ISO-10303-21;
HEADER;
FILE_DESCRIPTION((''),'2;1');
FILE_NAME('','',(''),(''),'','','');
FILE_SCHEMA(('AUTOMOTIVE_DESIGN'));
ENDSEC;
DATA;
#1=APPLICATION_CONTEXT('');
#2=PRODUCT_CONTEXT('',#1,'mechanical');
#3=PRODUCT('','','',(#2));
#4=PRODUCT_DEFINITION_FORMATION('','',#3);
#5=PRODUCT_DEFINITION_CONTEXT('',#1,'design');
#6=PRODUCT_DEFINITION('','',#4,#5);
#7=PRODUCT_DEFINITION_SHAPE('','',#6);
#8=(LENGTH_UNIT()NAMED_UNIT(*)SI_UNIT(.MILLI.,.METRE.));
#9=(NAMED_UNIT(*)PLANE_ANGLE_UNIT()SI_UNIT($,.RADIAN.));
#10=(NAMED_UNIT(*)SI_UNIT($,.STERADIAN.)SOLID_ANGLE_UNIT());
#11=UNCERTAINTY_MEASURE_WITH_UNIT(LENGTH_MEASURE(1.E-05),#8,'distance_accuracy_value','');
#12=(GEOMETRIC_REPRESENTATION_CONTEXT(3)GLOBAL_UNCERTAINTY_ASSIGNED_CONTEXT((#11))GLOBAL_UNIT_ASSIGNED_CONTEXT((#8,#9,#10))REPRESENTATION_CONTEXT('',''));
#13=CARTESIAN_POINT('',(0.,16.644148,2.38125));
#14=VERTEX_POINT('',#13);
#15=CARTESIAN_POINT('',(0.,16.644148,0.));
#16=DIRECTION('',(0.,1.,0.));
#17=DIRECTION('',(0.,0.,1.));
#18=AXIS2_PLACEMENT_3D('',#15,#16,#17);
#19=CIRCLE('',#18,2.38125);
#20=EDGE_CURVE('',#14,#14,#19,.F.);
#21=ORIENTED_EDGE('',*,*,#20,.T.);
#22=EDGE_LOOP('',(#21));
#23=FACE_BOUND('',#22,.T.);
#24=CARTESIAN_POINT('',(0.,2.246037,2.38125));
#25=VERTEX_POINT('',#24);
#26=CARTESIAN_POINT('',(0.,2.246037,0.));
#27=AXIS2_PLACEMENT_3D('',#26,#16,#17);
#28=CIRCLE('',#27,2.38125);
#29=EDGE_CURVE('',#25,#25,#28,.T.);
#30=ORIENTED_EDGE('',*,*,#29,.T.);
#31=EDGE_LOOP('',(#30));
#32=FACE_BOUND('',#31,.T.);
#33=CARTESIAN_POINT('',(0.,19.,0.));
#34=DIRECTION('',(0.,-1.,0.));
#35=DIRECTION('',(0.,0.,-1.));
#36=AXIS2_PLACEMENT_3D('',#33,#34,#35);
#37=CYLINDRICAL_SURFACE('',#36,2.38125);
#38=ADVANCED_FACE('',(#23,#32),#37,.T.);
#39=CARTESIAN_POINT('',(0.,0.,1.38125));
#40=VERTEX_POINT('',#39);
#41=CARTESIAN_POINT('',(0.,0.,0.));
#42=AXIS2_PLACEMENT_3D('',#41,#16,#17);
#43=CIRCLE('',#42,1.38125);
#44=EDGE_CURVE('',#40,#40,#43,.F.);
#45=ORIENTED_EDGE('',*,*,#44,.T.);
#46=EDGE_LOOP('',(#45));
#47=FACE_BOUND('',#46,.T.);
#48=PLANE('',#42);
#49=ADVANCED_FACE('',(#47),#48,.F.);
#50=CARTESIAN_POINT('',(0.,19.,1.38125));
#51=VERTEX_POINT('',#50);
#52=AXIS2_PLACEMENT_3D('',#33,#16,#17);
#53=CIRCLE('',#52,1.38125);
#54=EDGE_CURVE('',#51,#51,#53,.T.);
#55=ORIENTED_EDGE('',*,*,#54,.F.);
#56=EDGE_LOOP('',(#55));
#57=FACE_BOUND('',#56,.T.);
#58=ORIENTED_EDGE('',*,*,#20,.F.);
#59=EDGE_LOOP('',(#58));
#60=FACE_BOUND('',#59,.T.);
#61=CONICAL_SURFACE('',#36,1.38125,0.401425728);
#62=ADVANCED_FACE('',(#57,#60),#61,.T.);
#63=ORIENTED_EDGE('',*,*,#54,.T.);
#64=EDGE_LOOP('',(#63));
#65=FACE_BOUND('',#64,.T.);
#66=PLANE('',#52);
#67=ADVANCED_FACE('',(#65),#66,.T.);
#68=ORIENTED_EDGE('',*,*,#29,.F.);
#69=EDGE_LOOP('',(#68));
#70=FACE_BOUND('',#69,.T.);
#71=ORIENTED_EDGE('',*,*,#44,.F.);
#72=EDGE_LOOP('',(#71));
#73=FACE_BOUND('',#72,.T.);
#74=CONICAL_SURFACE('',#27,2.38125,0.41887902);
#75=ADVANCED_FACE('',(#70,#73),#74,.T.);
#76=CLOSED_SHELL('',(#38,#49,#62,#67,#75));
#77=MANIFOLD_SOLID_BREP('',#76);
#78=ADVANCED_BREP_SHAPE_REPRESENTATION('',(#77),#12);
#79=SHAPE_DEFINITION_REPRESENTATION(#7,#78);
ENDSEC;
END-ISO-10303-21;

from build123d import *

# Parameters (mm, degrees)
SKETCH1_R           = 2.38125
BOSS_EXTRUDE1_DEPTH = 19
CHAMFER1_SIZE       = 1
CHAMFER1_SIZE2      = 2.246036774
CHAMFER2_SIZE       = 1
CHAMFER2_SIZE2      = 2.355852366


with BuildPart() as part:
    # Sketch1 → Boss-Extrude1 (new body)
    with BuildSketch(Plane(origin=(0, 0, 0), x_dir=(1, 0, 0), z_dir=(0, 1, 0))):
        with Locations(Location((0, 0, 0), (0, 0, 270))):
            Circle(SKETCH1_R)
    extrude(amount=BOSS_EXTRUDE1_DEPTH)

    # Chamfer1
    chamfer1_edges = [part.edges().sort_by_distance(p)[0] for p in [
        (0, 0, -2.38125),
    ]]
    chamfer1_side = [part.faces().sort_by_distance(p)[0] for p in [
        (0, 0, 0),
    ]]
    chamfer(chamfer1_edges, length=CHAMFER1_SIZE, length2=CHAMFER1_SIZE2, reference=chamfer1_side[0])

    # Chamfer2
    chamfer2_edges = [part.edges().sort_by_distance(p)[0] for p in [
        (0, 19, -2.38125),
    ]]
    chamfer2_side = [part.faces().sort_by_distance(p)[0] for p in [
        (0, 19, 0),
    ]]
    chamfer(chamfer2_edges, length=CHAMFER2_SIZE, length2=CHAMFER2_SIZE2, reference=chamfer2_side[0])


solid = part.part
